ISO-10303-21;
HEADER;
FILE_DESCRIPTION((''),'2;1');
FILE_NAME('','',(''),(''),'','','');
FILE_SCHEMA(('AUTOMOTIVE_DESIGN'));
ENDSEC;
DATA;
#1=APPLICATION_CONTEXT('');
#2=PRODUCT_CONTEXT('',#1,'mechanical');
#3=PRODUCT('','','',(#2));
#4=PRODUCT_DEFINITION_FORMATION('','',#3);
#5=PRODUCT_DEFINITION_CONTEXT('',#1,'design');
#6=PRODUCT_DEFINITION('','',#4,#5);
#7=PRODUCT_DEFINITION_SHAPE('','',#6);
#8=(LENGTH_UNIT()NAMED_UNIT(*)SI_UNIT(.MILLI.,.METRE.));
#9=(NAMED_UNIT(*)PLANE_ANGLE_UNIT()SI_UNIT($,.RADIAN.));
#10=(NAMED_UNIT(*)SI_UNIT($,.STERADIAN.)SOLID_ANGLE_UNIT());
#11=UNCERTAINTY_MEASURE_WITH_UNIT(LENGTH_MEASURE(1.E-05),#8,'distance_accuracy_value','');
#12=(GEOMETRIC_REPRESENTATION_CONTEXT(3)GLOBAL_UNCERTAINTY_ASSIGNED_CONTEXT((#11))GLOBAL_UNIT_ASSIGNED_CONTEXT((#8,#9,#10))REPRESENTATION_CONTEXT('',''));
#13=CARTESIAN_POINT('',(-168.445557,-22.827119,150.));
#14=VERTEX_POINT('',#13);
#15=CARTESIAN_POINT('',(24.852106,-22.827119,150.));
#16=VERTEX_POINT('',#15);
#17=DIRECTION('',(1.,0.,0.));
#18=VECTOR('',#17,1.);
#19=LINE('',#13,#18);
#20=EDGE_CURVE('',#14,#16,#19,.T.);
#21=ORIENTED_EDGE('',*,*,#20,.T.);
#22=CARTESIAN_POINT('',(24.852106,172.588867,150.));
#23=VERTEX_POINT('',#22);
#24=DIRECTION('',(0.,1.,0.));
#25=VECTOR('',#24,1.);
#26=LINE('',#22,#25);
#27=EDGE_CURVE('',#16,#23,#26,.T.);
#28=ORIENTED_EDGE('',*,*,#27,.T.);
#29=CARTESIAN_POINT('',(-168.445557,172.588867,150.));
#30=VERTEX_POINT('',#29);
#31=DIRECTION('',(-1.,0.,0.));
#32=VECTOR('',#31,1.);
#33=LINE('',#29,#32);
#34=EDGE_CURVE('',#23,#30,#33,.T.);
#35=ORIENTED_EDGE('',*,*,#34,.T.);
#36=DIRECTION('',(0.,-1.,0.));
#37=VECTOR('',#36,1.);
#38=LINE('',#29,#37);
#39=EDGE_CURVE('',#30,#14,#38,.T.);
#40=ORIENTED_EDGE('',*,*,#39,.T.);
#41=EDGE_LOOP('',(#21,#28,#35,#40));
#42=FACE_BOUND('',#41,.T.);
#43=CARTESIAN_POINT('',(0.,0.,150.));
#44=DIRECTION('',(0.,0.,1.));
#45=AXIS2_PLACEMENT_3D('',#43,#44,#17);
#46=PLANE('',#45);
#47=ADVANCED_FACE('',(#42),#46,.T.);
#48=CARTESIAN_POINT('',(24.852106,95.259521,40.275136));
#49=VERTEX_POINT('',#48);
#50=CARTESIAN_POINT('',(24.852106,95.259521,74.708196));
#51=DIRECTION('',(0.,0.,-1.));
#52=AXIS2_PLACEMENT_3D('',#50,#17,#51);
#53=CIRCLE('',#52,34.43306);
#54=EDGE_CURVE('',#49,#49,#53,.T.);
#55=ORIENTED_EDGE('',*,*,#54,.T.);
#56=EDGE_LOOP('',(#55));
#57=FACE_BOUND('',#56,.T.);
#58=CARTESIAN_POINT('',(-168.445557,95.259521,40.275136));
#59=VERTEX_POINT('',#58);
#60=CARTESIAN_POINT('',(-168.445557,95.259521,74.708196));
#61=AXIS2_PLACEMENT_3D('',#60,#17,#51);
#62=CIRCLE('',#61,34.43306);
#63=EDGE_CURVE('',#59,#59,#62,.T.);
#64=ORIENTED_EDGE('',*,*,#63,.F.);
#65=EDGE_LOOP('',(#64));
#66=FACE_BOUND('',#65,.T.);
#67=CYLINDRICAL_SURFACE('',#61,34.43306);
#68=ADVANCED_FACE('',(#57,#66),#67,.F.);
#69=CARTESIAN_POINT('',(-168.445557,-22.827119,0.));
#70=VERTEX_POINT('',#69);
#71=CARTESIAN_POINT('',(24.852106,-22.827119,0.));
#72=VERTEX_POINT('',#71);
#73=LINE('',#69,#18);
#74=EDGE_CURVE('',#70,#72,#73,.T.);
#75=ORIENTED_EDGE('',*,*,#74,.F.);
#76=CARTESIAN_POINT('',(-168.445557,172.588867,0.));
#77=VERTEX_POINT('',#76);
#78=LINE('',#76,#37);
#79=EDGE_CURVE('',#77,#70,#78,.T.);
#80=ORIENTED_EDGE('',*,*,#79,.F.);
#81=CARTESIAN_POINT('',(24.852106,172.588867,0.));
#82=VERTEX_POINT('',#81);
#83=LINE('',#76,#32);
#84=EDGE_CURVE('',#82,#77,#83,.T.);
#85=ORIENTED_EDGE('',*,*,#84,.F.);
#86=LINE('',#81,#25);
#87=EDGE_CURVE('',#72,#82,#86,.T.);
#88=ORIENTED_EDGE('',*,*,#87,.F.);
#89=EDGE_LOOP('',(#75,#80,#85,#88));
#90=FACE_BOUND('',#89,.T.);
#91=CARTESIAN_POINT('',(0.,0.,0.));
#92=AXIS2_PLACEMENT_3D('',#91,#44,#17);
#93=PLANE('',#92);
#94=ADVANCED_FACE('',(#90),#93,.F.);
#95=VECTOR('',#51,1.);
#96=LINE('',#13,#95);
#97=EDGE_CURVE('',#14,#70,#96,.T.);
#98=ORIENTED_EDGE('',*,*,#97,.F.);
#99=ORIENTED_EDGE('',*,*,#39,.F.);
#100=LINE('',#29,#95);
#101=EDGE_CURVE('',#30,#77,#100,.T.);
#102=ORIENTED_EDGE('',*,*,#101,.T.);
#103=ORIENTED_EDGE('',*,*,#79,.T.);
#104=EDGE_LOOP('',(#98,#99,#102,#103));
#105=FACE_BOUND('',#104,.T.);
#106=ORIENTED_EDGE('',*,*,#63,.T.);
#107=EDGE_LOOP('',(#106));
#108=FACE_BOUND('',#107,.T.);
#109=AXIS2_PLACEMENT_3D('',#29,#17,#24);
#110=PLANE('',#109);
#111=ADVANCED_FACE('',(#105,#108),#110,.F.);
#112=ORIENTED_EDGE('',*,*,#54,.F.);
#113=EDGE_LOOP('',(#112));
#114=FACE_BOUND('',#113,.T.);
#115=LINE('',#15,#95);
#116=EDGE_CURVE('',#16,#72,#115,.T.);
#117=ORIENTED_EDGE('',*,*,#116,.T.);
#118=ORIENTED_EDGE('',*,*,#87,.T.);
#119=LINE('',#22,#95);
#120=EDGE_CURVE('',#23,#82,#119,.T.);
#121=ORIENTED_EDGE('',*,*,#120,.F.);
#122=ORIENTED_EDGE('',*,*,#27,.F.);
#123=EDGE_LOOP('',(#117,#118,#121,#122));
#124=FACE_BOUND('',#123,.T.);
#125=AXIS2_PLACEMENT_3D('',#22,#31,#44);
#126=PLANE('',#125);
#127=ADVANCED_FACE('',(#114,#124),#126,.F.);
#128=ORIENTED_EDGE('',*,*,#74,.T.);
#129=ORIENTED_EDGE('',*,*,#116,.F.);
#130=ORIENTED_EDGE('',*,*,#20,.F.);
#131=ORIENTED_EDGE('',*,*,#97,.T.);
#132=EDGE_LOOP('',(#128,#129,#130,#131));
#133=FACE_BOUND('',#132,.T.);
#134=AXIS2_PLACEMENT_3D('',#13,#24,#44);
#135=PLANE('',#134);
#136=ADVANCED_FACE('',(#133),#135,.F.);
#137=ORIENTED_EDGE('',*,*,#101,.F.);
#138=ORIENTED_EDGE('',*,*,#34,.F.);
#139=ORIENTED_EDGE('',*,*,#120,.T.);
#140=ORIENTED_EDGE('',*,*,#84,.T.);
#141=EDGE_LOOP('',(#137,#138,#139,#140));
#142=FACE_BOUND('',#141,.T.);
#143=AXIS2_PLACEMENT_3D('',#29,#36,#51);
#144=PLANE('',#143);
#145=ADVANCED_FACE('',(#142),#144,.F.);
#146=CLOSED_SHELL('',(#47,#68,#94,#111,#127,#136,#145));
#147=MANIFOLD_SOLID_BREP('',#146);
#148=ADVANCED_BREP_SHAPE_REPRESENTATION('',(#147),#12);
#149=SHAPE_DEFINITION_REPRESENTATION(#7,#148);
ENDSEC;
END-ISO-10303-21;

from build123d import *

# Parameters (mm, degrees)
SKETCH1_W           = 193.297663119
SKETCH1_H           = 195.415985989
BOSS_EXTRUDE1_DEPTH = 150
SKETCH2_R           = 34.433059545
CUT_EXTRUDE1_DEPTH  = 300.417607115


with BuildPart() as part:
    # Sketch1 → Boss-Extrude1 (new body)
    with BuildSketch(Plane.XY):
        with Locations((-71.796725803, 74.880873633)):
            Rectangle(SKETCH1_W, SKETCH1_H)
    extrude(amount=BOSS_EXTRUDE1_DEPTH)

    # Sketch2 → Cut-Extrude1 (cut, through all)
    with BuildSketch(Plane(origin=(24.852105757, 0, 0), x_dir=(0, 0, -1), z_dir=(1, 0, 0))):
        with Locations((-74.708195537, 95.259520614)):
            Circle(SKETCH2_R)
    extrude(amount=-CUT_EXTRUDE1_DEPTH, mode=Mode.SUBTRACT)


solid = part.part
